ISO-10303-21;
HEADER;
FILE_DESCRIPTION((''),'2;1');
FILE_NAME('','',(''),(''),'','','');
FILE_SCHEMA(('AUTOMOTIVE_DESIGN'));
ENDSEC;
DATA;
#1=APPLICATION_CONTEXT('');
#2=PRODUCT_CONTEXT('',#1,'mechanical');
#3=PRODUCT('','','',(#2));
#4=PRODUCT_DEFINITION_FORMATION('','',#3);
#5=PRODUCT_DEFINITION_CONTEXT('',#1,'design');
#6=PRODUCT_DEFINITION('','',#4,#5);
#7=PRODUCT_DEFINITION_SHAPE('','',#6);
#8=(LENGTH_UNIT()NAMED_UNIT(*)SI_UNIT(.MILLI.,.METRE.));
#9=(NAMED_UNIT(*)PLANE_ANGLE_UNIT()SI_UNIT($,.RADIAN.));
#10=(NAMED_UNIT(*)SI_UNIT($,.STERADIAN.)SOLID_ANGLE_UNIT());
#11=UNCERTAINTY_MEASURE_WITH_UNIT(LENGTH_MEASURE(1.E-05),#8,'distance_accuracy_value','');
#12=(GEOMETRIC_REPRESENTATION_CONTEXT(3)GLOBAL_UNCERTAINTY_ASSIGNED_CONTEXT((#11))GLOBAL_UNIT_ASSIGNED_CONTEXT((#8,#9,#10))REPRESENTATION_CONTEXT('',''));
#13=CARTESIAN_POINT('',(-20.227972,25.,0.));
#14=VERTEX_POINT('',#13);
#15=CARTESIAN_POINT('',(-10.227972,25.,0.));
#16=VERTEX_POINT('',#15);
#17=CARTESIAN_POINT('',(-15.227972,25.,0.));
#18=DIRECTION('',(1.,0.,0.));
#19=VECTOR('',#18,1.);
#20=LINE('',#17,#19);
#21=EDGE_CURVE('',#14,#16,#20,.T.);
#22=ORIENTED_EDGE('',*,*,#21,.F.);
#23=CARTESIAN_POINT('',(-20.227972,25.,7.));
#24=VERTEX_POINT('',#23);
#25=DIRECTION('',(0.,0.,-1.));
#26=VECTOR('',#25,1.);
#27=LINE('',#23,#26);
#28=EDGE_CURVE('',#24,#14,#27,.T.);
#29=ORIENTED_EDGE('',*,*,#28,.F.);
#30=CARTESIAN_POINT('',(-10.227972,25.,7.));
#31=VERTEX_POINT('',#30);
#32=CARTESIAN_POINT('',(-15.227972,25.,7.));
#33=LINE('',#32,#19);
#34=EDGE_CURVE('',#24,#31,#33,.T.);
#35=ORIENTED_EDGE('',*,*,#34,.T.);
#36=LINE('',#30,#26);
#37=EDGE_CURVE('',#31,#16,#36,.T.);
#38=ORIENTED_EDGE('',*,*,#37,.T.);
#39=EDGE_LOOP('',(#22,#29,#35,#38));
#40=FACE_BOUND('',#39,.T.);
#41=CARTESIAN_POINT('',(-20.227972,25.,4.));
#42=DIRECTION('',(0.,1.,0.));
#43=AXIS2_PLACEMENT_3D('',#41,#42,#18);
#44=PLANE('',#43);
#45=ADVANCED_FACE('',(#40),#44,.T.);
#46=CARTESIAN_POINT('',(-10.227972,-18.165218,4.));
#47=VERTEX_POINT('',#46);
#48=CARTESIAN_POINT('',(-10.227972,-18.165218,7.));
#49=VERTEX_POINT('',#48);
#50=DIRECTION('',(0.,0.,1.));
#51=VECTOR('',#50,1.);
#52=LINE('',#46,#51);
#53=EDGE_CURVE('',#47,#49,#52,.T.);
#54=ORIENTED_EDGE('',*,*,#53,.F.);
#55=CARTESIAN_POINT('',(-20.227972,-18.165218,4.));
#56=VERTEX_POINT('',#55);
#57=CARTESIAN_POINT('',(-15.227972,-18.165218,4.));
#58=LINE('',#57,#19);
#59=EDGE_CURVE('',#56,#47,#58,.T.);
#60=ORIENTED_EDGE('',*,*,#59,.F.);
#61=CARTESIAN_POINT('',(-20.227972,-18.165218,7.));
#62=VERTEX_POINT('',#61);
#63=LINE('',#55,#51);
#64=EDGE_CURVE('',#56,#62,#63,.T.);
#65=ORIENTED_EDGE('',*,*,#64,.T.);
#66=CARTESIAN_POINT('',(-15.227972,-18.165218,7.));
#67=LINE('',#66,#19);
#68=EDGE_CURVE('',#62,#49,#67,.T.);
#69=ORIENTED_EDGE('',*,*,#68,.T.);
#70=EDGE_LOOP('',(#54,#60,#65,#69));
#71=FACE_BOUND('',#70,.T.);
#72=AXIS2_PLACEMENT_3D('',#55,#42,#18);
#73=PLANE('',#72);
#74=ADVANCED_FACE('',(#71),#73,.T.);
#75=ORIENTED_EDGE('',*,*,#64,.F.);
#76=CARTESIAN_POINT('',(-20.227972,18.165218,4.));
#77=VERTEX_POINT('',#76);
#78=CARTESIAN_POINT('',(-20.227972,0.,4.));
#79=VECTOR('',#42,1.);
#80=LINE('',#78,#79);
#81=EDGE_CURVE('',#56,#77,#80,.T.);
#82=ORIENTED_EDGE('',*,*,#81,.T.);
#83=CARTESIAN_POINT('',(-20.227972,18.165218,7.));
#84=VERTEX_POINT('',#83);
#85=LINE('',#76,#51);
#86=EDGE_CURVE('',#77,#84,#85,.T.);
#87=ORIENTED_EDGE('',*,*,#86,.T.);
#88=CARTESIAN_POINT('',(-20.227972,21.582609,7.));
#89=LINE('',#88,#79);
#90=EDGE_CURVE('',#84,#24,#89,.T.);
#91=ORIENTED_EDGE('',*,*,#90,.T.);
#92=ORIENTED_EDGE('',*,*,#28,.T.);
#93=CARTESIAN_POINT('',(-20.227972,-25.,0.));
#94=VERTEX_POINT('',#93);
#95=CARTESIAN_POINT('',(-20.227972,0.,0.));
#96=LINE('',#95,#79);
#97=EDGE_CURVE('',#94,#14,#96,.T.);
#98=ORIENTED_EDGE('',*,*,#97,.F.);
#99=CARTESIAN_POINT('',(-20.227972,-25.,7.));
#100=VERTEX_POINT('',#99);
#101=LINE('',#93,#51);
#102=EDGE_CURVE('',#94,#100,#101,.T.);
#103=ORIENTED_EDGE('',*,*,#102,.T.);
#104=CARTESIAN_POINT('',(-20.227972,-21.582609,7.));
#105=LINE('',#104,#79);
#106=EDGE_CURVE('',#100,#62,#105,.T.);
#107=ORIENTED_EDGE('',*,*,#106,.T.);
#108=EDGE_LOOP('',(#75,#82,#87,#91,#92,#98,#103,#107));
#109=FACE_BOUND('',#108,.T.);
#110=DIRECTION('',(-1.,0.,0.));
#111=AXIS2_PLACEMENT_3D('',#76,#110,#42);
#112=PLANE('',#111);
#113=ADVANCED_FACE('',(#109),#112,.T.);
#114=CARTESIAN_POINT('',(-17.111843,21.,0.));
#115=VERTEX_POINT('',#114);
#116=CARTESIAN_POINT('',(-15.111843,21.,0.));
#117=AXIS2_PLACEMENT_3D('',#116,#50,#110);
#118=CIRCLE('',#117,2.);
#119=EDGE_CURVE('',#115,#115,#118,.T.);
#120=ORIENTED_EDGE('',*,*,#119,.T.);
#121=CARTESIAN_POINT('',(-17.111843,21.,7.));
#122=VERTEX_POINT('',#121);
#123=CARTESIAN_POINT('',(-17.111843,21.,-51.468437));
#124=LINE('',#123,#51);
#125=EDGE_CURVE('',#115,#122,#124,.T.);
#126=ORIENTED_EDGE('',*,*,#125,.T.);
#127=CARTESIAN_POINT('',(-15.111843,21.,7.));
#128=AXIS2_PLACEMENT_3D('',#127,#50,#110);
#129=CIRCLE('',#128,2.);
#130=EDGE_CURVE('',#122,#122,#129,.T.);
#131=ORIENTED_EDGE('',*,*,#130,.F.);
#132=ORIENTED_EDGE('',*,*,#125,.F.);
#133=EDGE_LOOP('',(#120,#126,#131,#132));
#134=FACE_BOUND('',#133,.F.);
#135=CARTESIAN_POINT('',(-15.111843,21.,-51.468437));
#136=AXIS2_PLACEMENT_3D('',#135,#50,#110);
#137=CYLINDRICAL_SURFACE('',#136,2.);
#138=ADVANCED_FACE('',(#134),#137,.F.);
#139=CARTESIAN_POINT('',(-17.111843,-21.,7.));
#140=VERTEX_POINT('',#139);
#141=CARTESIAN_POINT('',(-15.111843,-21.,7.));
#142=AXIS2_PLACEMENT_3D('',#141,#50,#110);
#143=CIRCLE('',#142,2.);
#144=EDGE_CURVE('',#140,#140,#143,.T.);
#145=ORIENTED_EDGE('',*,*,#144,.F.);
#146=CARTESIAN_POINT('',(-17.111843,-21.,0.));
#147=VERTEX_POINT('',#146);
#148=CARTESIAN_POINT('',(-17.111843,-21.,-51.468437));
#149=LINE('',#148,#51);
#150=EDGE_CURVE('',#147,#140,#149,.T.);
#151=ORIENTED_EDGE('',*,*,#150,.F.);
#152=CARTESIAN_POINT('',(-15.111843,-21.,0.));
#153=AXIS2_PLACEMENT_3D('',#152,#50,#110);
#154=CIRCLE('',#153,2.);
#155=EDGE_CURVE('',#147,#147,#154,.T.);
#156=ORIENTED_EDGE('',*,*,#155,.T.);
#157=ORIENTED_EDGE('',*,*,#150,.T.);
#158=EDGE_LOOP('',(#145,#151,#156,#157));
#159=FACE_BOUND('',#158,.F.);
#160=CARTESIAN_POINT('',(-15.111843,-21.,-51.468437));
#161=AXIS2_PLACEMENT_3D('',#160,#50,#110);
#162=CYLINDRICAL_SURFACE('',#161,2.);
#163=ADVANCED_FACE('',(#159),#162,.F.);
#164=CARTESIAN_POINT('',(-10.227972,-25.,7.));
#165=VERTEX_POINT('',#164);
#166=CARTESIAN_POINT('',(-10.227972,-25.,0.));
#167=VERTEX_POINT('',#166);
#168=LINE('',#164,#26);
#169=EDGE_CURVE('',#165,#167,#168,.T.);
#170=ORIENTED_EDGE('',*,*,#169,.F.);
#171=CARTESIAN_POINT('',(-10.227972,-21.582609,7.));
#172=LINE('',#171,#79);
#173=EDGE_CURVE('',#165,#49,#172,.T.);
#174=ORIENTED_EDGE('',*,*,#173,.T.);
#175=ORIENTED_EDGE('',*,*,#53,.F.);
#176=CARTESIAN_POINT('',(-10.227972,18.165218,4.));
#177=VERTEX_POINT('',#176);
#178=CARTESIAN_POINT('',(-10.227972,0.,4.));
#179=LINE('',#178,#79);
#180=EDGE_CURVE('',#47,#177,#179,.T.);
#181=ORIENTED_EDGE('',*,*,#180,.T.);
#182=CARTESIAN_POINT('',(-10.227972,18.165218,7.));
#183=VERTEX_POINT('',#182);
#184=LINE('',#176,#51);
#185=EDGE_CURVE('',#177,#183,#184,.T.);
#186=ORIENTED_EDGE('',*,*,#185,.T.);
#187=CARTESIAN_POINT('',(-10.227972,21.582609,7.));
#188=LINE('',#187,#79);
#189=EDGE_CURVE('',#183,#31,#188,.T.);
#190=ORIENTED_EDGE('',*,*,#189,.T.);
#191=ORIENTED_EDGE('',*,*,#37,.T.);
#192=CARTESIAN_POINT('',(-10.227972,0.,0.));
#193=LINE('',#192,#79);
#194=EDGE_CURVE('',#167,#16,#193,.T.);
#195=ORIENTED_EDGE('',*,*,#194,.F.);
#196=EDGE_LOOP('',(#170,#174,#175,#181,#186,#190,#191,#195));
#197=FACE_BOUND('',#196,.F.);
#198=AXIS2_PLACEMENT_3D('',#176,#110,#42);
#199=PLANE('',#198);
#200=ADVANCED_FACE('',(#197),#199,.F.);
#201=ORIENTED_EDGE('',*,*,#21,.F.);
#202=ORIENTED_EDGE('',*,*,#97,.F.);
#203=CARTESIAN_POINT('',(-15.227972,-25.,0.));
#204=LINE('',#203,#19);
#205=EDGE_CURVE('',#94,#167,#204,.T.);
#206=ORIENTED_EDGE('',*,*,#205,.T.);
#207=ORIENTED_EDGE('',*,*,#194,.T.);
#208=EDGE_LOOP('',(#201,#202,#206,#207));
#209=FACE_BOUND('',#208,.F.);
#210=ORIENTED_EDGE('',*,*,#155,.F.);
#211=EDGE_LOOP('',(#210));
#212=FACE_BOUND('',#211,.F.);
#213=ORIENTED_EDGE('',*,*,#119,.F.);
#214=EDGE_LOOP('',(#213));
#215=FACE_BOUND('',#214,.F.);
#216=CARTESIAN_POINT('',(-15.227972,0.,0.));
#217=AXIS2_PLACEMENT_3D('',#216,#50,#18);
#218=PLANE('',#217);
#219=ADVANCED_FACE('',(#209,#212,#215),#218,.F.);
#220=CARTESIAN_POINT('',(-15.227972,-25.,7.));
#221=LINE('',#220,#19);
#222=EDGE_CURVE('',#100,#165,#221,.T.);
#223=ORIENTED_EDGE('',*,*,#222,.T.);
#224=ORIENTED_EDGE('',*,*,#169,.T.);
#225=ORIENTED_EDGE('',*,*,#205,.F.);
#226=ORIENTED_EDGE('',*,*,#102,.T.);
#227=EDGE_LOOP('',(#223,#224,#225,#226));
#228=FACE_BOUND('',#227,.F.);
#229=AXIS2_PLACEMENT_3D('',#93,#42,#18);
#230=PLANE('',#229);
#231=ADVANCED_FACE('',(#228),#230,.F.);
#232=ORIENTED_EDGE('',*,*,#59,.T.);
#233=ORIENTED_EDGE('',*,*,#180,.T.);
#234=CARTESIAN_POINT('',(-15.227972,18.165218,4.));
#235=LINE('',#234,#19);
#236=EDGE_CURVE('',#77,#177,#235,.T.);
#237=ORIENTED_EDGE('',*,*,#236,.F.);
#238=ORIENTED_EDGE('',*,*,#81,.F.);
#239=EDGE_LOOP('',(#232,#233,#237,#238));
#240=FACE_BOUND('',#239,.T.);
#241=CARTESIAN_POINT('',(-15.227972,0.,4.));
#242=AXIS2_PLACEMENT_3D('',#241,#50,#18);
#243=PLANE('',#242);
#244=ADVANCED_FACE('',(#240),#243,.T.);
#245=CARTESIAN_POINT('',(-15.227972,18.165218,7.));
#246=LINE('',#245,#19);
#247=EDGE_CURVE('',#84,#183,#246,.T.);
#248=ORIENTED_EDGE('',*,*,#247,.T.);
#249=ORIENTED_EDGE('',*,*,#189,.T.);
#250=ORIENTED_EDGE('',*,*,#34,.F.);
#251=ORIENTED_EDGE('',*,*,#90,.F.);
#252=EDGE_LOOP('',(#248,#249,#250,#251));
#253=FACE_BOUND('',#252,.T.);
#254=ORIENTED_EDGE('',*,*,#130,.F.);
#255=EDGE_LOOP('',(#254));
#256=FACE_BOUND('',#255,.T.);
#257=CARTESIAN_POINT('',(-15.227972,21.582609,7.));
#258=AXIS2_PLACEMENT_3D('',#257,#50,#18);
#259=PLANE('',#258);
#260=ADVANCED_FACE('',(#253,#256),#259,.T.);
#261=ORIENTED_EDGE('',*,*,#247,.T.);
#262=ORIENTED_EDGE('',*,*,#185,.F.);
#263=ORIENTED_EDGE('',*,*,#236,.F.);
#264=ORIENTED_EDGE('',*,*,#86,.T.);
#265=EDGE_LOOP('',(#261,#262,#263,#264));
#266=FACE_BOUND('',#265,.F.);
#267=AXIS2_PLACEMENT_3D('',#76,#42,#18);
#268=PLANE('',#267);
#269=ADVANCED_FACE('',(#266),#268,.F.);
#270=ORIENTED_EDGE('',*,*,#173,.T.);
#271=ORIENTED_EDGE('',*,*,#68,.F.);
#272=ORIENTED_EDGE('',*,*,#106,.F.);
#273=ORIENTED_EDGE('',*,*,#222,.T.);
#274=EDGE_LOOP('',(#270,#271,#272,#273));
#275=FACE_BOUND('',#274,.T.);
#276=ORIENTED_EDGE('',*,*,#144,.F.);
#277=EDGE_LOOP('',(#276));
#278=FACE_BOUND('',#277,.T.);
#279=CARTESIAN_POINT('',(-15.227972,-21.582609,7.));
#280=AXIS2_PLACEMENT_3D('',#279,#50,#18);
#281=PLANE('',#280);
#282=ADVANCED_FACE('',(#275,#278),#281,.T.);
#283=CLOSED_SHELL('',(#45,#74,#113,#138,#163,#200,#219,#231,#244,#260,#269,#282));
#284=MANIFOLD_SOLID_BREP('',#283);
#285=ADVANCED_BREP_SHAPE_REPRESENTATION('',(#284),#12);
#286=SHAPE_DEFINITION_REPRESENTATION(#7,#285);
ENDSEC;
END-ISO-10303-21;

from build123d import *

# Parameters (mm, degrees)
F0_W     = 10
F0_H     = 50
F1_DEPTH = 4
F2_W     = 10
F2_H     = 6.834782
F3_DEPTH = 3
F5_D     = 4


with BuildPart() as f1:
    # F0 (on Top) → F1 (new body)
    with BuildSketch(Plane.XY):
        with Locations((-15.227972, 0)):
            Rectangle(F0_W, F0_H)
    extrude(amount=F1_DEPTH)

    # F2 (on face) → F3 (join)
    with BuildSketch(Plane.XY.offset(4)):
        with Locations((-15.227972, 21.582609)):
            Rectangle(F2_W, F2_H)
        with Locations((-15.227972, -21.582609)):
            Rectangle(F2_W, F2_H)
    extrude(amount=F3_DEPTH)

    # F5 (through all)
    with Locations(Plane(origin=(0, 0, 0), x_dir=(1, 0, 0), z_dir=(0, 0, -1))):
        with Locations((-15.111843, 21), (-15.111843, -21)):
            Hole(F5_D / 2)


solid = f1.part
